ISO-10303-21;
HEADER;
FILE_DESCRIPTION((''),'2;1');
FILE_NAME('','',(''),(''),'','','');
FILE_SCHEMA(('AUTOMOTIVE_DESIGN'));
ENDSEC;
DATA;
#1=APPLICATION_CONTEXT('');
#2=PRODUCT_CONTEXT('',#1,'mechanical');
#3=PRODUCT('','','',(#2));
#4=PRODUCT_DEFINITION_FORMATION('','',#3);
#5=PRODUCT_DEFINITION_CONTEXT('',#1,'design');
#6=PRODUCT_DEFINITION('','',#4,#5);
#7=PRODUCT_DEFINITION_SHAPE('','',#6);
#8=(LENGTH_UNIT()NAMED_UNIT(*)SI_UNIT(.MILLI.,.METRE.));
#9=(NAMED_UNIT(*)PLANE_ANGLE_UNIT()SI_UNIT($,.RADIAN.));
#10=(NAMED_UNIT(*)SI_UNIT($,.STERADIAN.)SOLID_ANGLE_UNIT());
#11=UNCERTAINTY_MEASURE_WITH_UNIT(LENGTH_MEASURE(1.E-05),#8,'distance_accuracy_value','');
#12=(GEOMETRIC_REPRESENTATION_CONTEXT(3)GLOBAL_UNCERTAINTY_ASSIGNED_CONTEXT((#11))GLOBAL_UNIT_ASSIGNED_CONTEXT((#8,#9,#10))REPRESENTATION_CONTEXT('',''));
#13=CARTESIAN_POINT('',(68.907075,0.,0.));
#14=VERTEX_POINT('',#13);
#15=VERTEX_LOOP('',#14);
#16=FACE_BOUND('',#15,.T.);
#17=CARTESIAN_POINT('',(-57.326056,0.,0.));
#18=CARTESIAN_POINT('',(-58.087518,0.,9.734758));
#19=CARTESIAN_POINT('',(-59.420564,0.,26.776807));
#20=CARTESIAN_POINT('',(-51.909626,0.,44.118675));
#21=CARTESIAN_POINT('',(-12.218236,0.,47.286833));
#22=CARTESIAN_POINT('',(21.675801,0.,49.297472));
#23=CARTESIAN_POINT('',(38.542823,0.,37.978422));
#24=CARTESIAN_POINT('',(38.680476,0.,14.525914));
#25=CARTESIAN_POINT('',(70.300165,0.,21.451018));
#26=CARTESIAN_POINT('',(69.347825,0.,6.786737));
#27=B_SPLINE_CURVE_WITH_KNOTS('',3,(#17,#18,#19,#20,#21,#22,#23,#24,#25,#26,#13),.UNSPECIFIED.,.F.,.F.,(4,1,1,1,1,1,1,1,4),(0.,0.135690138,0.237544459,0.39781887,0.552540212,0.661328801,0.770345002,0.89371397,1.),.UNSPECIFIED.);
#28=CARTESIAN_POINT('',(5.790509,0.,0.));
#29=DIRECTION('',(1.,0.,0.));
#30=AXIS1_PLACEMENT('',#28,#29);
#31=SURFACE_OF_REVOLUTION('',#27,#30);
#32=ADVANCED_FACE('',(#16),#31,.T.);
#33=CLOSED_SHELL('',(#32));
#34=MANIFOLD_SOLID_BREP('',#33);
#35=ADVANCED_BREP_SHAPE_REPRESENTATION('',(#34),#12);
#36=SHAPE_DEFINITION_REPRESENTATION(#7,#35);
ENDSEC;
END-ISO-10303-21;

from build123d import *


with BuildPart() as f1:
    # F0 (on Front) → F1 (revolve)
    with BuildSketch(Plane.XZ):
        with BuildLine():
            add(Edge.make_bspline(
                [(-57.3260560632, 0), (-58.0875183986, 9.734758275), (-59.4205641221, 26.7768065603), (-51.9096259912, 44.1186750851), (-12.218235717, 47.2868333331), (21.6758012606, 49.2974723747), (38.5428229639, 37.978422042), (38.6804759869, 14.5259137321), (70.3001645076, 21.4510178526), (69.3478245852, 6.7867373849), (68.9070746303, 0)],
                knots=[0, 0, 0, 0, 0.1356901384, 0.2375444592, 0.3978188698, 0.5525402125, 0.6613288015, 0.7703450023, 0.8937139697, 1, 1, 1, 1], degree=3))
            Line((-57.3260560632, 0), (68.9070746303, 0))
        make_face()
    revolve(axis=Axis((5.7905092835, 0, 0), (1, 0, 0)))


solid = f1.part
